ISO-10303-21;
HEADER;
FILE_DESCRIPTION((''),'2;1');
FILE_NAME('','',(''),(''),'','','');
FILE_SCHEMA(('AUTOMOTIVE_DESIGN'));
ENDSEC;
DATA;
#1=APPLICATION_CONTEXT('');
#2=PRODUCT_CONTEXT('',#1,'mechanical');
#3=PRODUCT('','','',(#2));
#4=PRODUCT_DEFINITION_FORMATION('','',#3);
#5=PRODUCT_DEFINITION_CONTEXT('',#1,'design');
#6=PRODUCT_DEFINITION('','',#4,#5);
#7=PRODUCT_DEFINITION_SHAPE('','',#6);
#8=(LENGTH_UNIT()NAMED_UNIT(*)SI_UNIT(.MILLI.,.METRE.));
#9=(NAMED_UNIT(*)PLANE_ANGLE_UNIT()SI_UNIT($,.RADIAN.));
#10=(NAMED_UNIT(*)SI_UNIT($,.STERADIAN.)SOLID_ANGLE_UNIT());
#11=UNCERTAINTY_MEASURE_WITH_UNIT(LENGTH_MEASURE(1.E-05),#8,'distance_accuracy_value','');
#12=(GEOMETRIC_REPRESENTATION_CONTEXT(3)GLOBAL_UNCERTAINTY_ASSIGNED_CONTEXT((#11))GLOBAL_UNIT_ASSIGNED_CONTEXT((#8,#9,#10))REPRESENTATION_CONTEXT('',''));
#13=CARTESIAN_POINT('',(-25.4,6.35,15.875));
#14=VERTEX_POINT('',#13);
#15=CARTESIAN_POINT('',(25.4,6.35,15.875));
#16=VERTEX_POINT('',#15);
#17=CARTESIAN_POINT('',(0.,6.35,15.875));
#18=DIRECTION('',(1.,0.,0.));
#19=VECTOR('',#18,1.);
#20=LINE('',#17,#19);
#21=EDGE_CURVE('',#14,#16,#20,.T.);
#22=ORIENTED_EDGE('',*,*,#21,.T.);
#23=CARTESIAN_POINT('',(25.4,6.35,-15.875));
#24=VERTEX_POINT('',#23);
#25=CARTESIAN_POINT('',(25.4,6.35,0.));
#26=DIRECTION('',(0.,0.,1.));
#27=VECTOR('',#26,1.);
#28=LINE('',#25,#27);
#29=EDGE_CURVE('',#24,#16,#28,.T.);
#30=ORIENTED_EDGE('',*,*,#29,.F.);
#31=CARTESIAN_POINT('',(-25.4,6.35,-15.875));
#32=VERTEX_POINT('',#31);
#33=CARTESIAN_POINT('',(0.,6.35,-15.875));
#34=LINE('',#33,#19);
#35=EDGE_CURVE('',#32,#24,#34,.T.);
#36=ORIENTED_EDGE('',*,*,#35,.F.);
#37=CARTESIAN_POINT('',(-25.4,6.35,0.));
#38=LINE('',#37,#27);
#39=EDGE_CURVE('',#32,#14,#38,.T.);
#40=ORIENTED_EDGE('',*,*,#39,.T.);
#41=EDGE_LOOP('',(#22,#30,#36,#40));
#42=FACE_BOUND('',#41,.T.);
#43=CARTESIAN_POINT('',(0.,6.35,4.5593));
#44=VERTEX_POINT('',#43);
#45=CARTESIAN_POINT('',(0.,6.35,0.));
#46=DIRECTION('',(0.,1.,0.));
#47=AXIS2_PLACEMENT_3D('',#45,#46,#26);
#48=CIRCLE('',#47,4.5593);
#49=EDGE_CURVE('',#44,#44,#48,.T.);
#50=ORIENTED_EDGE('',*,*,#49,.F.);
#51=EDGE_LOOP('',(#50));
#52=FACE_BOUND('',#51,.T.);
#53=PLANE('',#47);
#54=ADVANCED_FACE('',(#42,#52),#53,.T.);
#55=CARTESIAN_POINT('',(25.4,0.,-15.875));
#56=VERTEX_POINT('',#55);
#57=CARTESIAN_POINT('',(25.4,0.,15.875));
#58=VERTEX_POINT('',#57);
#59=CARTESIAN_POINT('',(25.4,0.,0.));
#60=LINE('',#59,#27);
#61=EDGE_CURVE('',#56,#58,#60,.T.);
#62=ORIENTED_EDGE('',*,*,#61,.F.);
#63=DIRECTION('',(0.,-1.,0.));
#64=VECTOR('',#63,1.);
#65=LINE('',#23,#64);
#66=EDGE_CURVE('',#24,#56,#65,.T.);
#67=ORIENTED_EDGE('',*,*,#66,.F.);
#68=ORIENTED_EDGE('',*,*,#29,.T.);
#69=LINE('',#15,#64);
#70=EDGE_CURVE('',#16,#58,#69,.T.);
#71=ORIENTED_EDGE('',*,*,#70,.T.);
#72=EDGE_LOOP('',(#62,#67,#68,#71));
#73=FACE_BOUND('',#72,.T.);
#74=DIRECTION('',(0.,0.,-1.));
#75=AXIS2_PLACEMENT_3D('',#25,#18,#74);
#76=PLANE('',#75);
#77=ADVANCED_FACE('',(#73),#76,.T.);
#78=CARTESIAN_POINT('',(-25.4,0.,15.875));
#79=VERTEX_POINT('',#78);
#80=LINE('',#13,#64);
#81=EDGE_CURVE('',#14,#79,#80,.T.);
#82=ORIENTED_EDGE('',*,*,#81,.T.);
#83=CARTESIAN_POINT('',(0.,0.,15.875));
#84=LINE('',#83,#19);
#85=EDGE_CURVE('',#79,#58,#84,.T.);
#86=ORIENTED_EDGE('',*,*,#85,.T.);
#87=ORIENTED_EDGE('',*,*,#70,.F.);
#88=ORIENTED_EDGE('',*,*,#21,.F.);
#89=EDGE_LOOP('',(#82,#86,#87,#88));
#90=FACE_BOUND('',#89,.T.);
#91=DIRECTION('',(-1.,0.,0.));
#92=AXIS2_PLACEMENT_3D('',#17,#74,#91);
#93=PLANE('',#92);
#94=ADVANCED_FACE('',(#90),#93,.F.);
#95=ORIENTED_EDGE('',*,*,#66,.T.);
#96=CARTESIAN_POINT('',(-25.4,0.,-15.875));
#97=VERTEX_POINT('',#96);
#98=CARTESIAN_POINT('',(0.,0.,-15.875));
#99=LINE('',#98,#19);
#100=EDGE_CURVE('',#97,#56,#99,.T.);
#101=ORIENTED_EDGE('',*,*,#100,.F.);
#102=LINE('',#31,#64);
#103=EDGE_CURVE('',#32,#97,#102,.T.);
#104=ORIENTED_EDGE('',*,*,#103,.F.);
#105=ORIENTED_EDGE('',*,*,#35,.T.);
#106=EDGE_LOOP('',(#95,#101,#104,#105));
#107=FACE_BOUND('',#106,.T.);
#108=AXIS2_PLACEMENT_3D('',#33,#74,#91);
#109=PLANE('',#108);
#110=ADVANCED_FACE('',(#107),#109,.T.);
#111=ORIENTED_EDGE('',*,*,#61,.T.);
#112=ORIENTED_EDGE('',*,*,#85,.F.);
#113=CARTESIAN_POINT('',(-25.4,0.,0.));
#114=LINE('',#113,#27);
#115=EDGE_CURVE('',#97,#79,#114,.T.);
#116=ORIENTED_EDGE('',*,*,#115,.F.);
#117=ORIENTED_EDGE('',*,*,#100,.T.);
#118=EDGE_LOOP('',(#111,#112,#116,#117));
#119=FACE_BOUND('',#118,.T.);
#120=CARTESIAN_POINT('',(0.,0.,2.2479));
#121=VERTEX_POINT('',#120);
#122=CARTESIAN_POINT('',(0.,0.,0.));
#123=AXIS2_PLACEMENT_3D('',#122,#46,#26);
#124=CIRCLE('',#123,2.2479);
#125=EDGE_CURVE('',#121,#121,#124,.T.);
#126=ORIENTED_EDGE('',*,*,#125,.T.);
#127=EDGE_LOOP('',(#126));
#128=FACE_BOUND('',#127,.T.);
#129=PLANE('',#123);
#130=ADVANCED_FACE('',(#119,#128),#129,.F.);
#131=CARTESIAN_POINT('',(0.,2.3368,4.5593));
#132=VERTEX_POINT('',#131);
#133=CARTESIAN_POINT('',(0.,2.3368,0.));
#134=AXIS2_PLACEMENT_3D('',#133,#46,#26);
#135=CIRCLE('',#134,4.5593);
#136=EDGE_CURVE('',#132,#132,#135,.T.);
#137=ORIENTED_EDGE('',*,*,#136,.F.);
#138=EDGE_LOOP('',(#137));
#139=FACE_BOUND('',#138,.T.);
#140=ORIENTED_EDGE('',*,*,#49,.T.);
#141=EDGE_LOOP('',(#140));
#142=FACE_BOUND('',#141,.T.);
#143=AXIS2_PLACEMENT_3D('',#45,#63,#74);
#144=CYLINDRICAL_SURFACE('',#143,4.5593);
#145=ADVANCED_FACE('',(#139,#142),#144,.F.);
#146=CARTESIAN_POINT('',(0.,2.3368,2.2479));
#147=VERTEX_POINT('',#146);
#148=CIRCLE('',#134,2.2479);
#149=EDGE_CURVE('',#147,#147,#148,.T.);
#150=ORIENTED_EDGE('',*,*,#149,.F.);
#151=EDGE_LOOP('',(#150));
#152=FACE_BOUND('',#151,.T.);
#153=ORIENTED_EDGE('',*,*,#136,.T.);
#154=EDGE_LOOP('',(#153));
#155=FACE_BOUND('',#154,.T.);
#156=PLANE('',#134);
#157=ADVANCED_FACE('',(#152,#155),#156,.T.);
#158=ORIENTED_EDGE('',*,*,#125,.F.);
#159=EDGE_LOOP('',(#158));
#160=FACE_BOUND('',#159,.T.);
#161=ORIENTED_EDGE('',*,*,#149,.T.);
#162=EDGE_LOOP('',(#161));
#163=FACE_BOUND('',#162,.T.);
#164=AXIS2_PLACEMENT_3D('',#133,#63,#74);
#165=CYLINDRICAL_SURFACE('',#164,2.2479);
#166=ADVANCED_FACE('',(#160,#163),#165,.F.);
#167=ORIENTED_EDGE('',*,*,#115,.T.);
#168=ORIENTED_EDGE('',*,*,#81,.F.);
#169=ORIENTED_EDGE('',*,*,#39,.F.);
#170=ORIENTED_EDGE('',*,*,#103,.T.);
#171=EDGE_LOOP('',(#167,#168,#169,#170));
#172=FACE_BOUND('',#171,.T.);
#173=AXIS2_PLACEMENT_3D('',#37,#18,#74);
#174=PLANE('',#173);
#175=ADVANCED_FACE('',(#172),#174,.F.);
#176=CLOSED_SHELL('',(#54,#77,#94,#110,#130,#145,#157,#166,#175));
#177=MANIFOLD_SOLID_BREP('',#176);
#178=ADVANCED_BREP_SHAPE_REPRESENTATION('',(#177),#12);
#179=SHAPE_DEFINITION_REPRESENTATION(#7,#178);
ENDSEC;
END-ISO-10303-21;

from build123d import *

# Parameters (mm, degrees)
SKETCH1_W           = 50.8
SKETCH1_H           = 31.75
SKETCH1_R           = 4.5593
BOSS_EXTRUDE1_DEPTH = 6.35
SKETCH1_3_R         = 4.5593
SKETCH1_3_R_2       = 2.2479
BOSS_EXTRUDE2_DEPTH = 2.3368


with BuildPart() as part:
    # Sketch1 → Boss-Extrude1 (new body)
    with BuildSketch(Plane(origin=(0, 0, 0), x_dir=(1, 0, 0), z_dir=(0, 1, 0))):
        Rectangle(SKETCH1_W, SKETCH1_H)
        Circle(SKETCH1_R, mode=Mode.SUBTRACT)
    extrude(amount=BOSS_EXTRUDE1_DEPTH)

    # Sketch1<3> → Boss-Extrude2 (add)
    with BuildSketch(Plane(origin=(0, 0, 0), x_dir=(1, 0, 0), z_dir=(0, 1, 0))):
        Circle(SKETCH1_3_R)
        Circle(SKETCH1_3_R_2, mode=Mode.SUBTRACT)
    extrude(amount=BOSS_EXTRUDE2_DEPTH)


solid = part.part
